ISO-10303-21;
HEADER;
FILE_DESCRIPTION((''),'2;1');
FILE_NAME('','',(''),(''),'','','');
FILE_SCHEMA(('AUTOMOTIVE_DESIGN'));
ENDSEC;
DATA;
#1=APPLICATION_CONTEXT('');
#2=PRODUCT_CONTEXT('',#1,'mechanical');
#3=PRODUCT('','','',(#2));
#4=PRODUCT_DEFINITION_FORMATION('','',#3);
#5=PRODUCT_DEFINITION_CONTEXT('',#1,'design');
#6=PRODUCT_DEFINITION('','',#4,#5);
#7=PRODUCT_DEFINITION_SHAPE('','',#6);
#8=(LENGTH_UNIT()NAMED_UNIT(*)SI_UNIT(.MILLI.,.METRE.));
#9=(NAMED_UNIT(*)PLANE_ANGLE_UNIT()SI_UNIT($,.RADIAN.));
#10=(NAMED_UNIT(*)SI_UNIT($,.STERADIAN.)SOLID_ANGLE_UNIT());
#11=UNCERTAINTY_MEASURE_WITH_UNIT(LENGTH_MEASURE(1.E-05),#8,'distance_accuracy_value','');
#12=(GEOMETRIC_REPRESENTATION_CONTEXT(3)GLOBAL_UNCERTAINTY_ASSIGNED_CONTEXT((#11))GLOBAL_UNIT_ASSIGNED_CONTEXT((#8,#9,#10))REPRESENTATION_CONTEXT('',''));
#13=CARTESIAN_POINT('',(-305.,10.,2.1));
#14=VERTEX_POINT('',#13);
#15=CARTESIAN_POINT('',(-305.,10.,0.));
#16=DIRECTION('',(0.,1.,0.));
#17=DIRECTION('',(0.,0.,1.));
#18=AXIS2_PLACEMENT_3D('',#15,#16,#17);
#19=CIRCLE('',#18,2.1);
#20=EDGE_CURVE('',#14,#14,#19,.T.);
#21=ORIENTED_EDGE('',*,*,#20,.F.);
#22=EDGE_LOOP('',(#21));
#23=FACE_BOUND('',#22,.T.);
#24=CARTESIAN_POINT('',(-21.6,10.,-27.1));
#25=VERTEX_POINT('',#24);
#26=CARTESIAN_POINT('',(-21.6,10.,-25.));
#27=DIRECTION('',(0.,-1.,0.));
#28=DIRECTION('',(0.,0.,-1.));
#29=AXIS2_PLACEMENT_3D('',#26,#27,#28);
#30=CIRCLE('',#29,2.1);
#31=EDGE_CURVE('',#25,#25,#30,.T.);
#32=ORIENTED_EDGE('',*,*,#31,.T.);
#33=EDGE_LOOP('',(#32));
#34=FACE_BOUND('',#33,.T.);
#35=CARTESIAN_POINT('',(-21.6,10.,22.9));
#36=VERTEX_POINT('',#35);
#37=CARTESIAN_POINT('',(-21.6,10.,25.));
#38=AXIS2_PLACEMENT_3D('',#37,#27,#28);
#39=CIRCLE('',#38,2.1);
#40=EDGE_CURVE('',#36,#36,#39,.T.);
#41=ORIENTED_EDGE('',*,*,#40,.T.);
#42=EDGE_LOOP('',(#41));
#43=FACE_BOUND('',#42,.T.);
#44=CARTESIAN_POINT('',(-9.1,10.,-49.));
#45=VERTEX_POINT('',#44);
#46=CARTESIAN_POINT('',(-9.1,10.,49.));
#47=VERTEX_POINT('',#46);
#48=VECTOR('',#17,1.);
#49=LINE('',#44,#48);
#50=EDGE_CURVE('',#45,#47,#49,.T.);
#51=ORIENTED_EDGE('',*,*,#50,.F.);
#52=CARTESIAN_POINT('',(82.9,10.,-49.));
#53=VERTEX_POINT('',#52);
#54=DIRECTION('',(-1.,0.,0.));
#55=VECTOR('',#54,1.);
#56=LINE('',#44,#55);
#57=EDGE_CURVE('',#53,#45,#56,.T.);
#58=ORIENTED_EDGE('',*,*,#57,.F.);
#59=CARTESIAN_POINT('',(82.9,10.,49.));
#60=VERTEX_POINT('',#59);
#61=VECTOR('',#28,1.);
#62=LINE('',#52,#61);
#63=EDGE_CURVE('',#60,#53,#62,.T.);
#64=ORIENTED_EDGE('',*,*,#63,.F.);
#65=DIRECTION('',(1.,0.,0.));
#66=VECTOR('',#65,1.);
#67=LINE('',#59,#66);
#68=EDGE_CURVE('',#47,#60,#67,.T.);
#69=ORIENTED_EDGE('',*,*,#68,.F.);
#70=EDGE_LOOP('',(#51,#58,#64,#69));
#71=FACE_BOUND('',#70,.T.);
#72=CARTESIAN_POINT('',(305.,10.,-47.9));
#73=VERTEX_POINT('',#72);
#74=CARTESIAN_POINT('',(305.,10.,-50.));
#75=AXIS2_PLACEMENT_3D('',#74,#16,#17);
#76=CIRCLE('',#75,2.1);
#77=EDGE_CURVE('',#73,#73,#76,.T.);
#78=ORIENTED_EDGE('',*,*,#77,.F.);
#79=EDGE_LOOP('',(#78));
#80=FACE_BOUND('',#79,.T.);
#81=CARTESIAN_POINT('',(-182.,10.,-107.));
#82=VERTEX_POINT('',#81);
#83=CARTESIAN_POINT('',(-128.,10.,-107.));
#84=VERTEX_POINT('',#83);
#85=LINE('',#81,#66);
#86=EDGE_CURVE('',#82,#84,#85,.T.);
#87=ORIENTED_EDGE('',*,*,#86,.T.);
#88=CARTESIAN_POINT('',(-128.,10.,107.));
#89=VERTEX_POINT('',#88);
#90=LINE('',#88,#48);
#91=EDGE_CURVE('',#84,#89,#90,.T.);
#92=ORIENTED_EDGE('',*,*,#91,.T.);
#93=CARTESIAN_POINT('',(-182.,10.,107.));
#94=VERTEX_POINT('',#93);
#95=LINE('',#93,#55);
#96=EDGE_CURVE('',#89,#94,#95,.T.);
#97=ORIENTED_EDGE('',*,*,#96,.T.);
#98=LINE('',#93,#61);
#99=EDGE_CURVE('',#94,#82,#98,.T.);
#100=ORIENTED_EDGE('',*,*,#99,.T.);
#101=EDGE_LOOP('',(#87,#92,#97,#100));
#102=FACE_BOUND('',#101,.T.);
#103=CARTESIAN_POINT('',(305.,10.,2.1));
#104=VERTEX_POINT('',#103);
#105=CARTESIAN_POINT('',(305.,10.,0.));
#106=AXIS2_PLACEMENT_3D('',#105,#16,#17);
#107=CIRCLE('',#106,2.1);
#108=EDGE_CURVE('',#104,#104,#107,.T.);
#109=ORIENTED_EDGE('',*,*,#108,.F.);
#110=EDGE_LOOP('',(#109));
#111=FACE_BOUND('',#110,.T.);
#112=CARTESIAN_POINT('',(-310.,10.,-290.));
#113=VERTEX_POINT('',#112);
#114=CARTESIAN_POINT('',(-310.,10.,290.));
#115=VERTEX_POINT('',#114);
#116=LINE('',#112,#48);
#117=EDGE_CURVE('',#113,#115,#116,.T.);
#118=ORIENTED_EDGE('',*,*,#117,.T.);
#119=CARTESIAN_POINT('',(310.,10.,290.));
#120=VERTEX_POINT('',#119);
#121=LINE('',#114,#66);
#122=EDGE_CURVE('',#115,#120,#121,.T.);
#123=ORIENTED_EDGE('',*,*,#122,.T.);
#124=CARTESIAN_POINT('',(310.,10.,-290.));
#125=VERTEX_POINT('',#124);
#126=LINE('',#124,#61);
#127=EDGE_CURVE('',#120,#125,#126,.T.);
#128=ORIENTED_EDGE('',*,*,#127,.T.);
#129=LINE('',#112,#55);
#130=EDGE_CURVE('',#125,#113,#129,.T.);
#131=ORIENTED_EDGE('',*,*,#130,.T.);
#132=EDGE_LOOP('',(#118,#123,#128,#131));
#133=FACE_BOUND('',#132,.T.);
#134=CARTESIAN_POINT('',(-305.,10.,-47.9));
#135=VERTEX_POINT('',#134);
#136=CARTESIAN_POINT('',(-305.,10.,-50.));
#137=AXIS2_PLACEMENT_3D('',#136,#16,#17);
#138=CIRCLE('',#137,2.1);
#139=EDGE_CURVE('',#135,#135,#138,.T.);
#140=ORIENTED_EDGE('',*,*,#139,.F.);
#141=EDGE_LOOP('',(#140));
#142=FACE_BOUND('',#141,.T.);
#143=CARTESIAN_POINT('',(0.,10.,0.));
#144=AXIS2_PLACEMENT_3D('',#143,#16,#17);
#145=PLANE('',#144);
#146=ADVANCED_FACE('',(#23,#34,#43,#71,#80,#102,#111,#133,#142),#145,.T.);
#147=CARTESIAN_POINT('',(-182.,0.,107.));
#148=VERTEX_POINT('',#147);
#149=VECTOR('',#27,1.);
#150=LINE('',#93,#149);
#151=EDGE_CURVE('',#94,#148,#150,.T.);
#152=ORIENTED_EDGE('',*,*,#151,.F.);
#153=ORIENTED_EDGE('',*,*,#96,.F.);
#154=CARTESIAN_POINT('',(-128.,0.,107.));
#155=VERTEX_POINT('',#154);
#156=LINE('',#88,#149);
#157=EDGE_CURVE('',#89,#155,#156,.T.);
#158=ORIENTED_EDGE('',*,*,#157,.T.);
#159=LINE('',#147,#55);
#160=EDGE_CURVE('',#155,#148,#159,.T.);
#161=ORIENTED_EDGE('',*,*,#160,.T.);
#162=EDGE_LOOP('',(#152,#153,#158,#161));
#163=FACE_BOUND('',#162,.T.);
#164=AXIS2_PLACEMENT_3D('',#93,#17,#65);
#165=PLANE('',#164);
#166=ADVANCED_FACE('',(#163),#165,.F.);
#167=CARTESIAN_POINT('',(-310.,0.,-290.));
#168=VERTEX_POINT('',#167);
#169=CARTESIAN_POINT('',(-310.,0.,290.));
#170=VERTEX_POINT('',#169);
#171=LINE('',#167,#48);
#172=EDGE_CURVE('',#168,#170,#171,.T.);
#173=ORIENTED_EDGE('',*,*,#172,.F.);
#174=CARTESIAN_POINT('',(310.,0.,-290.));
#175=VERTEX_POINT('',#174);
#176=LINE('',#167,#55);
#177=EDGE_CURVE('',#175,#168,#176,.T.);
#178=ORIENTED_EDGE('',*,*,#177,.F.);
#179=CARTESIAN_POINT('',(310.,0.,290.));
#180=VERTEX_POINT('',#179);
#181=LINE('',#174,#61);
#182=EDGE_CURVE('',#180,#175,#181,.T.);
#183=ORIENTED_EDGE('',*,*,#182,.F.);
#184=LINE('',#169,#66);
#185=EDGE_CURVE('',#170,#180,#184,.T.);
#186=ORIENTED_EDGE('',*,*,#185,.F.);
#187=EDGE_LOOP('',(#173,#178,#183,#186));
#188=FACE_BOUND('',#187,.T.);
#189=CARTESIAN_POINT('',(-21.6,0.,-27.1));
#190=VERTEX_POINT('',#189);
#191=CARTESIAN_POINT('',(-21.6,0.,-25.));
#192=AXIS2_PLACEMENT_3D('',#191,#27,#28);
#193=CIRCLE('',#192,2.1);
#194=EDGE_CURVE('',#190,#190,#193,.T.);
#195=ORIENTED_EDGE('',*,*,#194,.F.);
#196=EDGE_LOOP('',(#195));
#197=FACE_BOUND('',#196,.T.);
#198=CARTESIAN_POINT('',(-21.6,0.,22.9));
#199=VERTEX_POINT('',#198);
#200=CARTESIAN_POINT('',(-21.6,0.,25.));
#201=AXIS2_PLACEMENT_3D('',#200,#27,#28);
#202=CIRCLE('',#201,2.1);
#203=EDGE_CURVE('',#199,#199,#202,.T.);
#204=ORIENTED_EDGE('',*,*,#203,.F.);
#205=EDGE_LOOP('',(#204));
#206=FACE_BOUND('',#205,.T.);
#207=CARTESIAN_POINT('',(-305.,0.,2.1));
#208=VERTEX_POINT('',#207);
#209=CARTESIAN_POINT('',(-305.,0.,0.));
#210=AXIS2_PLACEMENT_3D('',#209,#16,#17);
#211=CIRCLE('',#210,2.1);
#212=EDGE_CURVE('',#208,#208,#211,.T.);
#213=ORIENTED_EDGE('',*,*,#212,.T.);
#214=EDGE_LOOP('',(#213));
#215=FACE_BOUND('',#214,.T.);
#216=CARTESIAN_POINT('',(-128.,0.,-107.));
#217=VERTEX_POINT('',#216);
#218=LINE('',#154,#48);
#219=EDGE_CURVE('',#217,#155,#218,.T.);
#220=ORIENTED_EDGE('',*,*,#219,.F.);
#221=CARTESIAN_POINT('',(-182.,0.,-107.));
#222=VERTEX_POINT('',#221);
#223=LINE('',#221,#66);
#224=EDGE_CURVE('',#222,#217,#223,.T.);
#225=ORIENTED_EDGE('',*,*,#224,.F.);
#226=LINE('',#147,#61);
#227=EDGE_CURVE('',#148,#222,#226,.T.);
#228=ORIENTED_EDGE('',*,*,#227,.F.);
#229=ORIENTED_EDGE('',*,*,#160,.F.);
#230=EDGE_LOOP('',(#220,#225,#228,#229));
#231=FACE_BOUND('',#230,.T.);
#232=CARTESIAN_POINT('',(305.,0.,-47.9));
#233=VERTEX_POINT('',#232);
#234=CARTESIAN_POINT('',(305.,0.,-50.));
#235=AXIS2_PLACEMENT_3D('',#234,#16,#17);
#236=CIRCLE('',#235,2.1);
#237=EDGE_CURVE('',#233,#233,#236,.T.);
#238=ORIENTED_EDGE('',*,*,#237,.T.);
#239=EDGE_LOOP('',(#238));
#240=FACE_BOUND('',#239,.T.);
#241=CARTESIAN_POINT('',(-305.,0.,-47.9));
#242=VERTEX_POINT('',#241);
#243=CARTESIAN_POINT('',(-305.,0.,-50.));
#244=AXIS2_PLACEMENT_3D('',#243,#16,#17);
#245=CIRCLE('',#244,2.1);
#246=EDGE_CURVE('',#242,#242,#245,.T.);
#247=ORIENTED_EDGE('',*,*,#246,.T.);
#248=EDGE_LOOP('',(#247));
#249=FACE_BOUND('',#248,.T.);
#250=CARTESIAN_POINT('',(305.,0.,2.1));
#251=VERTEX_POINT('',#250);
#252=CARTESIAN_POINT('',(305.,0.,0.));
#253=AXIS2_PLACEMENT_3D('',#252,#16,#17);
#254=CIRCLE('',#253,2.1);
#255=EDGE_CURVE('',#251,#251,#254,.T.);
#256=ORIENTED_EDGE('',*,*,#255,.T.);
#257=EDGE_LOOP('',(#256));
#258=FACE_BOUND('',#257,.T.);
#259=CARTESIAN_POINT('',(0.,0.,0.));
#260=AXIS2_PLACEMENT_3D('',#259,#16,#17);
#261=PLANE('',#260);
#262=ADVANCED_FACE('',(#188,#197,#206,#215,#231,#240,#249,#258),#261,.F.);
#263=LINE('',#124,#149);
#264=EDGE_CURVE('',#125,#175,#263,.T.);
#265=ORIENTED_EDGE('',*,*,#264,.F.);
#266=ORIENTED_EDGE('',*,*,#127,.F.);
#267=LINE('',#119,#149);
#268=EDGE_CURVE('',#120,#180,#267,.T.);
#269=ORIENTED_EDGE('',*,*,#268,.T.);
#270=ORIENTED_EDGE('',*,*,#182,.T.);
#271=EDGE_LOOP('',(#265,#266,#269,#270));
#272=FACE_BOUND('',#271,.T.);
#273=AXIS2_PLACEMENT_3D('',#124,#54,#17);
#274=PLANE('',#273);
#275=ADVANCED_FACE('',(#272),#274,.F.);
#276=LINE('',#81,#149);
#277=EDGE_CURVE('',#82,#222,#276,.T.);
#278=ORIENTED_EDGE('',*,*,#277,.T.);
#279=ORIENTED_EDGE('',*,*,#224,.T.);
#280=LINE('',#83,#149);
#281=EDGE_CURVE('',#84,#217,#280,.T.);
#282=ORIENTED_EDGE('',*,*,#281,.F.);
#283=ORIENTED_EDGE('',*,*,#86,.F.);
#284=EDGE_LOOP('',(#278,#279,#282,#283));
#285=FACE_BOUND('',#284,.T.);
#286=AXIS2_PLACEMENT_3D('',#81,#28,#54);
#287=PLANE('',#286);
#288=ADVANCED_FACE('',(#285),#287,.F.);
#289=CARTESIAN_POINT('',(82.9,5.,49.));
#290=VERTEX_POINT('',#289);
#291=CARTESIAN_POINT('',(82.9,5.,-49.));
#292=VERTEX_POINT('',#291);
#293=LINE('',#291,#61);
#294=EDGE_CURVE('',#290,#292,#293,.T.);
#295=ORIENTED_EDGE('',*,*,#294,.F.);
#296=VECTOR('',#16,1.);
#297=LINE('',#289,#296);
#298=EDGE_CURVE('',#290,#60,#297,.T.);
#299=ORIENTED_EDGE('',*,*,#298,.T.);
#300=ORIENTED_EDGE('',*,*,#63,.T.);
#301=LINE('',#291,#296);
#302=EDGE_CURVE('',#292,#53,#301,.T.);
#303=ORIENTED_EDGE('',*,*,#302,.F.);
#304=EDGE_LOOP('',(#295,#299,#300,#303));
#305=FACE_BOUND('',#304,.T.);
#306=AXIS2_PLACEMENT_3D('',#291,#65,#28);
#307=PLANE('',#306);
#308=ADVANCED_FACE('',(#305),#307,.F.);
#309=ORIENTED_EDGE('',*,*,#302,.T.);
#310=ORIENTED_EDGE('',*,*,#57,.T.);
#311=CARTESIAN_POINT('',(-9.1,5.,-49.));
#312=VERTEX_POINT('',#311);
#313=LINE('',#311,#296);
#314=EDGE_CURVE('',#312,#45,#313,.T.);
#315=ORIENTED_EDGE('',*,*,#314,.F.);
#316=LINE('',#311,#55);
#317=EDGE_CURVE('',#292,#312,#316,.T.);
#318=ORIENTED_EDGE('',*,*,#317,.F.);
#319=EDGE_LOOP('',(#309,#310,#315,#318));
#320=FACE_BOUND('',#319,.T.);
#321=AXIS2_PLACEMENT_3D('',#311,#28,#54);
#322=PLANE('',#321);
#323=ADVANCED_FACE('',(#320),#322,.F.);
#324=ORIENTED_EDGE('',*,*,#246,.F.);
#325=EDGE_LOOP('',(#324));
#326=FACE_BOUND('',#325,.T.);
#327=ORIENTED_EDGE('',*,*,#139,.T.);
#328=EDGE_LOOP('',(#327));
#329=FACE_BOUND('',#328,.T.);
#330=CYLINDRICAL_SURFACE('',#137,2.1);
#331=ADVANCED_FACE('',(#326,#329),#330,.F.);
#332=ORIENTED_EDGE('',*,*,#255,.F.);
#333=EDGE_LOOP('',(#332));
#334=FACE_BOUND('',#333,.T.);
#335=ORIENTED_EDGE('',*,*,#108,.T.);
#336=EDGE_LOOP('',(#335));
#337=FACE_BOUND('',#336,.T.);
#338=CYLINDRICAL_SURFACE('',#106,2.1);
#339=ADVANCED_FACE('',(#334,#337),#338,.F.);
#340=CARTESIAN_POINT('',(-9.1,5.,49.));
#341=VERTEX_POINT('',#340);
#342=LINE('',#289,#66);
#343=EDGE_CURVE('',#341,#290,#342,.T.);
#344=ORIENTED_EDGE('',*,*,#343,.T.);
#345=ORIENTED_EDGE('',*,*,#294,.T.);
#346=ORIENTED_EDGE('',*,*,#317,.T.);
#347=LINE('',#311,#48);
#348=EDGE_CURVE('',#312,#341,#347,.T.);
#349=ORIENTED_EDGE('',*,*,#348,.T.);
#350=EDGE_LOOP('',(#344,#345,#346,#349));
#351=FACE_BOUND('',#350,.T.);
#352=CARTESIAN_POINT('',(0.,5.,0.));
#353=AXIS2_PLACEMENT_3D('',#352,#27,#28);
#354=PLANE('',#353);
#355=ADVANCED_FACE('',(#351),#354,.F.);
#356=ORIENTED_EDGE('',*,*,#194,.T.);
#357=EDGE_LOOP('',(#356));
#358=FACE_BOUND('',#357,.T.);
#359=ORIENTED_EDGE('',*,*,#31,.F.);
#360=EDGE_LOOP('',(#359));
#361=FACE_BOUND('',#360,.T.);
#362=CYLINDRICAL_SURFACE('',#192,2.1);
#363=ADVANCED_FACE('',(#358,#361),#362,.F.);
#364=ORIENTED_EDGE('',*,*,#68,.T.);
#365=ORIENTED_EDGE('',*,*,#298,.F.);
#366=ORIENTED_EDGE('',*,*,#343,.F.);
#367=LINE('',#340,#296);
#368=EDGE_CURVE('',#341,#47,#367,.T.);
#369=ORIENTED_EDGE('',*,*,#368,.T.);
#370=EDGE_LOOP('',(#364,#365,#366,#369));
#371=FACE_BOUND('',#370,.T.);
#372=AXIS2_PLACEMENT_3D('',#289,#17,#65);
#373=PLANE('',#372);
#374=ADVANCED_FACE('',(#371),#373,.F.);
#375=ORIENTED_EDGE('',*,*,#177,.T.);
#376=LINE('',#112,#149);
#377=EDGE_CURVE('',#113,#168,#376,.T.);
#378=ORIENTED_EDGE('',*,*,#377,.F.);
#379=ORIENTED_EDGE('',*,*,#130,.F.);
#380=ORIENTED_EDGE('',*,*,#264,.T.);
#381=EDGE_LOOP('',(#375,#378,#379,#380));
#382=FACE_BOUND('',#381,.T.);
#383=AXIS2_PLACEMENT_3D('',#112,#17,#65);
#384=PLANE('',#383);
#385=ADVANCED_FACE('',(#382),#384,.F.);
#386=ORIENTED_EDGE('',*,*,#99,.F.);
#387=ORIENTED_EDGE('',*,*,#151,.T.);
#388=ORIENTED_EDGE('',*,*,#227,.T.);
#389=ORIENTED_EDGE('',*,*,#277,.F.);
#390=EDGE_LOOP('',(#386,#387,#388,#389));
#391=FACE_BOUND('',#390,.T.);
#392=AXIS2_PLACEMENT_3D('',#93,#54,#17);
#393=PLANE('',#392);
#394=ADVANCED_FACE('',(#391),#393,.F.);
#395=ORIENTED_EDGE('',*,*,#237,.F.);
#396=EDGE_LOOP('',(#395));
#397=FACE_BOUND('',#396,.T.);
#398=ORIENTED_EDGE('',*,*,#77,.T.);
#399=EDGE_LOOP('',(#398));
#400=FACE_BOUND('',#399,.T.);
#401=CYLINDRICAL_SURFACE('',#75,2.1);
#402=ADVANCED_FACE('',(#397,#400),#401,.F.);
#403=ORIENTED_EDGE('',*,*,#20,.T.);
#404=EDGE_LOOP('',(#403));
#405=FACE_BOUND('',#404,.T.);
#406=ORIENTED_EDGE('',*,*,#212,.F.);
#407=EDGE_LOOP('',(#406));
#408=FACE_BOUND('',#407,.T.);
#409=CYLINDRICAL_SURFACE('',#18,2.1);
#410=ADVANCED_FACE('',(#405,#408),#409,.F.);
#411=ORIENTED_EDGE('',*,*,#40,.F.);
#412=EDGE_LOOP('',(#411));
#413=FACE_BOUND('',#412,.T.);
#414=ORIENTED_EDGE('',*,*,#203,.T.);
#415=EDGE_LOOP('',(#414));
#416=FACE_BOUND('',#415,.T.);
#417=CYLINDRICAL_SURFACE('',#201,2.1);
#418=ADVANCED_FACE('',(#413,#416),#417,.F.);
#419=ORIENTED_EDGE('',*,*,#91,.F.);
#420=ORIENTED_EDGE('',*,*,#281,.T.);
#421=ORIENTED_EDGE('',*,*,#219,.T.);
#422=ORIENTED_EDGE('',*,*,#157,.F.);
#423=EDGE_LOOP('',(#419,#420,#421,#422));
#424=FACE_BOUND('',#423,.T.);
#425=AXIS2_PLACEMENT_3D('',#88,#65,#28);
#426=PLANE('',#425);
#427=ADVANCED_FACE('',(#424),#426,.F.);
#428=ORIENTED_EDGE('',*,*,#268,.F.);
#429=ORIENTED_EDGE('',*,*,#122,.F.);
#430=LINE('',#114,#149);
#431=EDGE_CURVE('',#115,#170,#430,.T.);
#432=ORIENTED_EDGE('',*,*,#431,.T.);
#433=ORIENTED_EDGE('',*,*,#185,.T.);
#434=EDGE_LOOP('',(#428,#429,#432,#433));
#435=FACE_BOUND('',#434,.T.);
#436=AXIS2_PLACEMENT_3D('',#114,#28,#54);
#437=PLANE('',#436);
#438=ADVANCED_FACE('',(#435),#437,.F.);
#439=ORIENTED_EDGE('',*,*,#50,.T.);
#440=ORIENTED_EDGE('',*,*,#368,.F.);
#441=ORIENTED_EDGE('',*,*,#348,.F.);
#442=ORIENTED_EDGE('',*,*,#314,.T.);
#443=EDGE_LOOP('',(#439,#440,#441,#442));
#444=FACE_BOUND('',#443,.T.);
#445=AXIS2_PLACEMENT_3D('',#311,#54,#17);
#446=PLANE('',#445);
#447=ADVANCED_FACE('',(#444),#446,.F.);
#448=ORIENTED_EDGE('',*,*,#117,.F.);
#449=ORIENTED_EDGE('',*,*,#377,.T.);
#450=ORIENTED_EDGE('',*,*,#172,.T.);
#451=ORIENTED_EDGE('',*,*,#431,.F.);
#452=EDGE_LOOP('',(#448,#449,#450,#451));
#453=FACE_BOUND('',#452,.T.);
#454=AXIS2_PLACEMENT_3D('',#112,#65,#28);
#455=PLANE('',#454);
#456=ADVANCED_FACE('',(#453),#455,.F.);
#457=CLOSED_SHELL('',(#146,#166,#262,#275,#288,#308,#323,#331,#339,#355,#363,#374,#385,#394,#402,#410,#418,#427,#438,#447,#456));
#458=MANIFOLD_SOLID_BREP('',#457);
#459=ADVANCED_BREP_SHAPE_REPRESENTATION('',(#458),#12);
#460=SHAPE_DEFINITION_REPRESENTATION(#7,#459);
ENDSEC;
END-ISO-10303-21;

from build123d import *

# Parameters (mm, degrees)
SKETCH_1_W             = 620
SKETCH_1_H             = 580
EXTRUDE_1_DEPTH        = 10
HOLE_WIZARD_M5_1_D     = 4.2
HOLE_WIZARD_M5_1_DEPTH = 12.2
HOLE_WIZARD_M5_1_TIP   = 1.2618073
SKETCH_5_W             = 54
SKETCH_5_H             = 214
CUT_EXTRUDE_1_DEPTH    = 425.617474911
HOLE_WIZARD_M5_2_D     = 4.2
SKETCH_10_W            = 92
SKETCH_10_H            = 98
CUT_EXTRUDE_2_DEPTH    = 5


with BuildPart() as part:
    # 草图1 → 凸台-拉伸1 (new body)
    with BuildSketch(Plane(origin=(0, 0, 0), x_dir=(1, 0, 0), z_dir=(0, 1, 0))):
        Rectangle(SKETCH_1_W, SKETCH_1_H)
    extrude(amount=EXTRUDE_1_DEPTH)

    # M5 螺纹孔1
    with Locations(Plane(origin=(0, 10, 0), x_dir=(1, 0, 0), z_dir=(0, 1, 0))):
        with Locations((-305, 50), (-305, 0), (305, 0), (305, 50)):
            Hole(HOLE_WIZARD_M5_1_D / 2, depth=HOLE_WIZARD_M5_1_DEPTH)
            with Locations((0, 0, -(HOLE_WIZARD_M5_1_DEPTH + HOLE_WIZARD_M5_1_TIP / 2))):  # 118° drill point
                Cone(0, HOLE_WIZARD_M5_1_D / 2, HOLE_WIZARD_M5_1_TIP, mode=Mode.SUBTRACT)

    # 草图5 → 切除-拉伸1 (cut, through all)
    with BuildSketch(Plane.XZ):
        with Locations((-155, 0)):
            Rectangle(SKETCH_5_W, SKETCH_5_H)
    extrude(amount=-CUT_EXTRUDE_1_DEPTH, mode=Mode.SUBTRACT)

    # M5 螺纹孔2 (through all)
    with Locations(Plane(origin=(0, 0, 0), x_dir=(-1, 0, 0), z_dir=(0, -1, 0))):
        with Locations((21.6, -25), (21.6, 25)):
            Hole(HOLE_WIZARD_M5_2_D / 2)

    # 草图10 → 切除-拉伸2 (cut)
    with BuildSketch(Plane(origin=(0, 10, 0), x_dir=(1, 0, 0), z_dir=(0, 1, 0))):
        with Locations((36.9, 0)):
            Rectangle(SKETCH_10_W, SKETCH_10_H)
    extrude(amount=-CUT_EXTRUDE_2_DEPTH, mode=Mode.SUBTRACT)


solid = part.part
